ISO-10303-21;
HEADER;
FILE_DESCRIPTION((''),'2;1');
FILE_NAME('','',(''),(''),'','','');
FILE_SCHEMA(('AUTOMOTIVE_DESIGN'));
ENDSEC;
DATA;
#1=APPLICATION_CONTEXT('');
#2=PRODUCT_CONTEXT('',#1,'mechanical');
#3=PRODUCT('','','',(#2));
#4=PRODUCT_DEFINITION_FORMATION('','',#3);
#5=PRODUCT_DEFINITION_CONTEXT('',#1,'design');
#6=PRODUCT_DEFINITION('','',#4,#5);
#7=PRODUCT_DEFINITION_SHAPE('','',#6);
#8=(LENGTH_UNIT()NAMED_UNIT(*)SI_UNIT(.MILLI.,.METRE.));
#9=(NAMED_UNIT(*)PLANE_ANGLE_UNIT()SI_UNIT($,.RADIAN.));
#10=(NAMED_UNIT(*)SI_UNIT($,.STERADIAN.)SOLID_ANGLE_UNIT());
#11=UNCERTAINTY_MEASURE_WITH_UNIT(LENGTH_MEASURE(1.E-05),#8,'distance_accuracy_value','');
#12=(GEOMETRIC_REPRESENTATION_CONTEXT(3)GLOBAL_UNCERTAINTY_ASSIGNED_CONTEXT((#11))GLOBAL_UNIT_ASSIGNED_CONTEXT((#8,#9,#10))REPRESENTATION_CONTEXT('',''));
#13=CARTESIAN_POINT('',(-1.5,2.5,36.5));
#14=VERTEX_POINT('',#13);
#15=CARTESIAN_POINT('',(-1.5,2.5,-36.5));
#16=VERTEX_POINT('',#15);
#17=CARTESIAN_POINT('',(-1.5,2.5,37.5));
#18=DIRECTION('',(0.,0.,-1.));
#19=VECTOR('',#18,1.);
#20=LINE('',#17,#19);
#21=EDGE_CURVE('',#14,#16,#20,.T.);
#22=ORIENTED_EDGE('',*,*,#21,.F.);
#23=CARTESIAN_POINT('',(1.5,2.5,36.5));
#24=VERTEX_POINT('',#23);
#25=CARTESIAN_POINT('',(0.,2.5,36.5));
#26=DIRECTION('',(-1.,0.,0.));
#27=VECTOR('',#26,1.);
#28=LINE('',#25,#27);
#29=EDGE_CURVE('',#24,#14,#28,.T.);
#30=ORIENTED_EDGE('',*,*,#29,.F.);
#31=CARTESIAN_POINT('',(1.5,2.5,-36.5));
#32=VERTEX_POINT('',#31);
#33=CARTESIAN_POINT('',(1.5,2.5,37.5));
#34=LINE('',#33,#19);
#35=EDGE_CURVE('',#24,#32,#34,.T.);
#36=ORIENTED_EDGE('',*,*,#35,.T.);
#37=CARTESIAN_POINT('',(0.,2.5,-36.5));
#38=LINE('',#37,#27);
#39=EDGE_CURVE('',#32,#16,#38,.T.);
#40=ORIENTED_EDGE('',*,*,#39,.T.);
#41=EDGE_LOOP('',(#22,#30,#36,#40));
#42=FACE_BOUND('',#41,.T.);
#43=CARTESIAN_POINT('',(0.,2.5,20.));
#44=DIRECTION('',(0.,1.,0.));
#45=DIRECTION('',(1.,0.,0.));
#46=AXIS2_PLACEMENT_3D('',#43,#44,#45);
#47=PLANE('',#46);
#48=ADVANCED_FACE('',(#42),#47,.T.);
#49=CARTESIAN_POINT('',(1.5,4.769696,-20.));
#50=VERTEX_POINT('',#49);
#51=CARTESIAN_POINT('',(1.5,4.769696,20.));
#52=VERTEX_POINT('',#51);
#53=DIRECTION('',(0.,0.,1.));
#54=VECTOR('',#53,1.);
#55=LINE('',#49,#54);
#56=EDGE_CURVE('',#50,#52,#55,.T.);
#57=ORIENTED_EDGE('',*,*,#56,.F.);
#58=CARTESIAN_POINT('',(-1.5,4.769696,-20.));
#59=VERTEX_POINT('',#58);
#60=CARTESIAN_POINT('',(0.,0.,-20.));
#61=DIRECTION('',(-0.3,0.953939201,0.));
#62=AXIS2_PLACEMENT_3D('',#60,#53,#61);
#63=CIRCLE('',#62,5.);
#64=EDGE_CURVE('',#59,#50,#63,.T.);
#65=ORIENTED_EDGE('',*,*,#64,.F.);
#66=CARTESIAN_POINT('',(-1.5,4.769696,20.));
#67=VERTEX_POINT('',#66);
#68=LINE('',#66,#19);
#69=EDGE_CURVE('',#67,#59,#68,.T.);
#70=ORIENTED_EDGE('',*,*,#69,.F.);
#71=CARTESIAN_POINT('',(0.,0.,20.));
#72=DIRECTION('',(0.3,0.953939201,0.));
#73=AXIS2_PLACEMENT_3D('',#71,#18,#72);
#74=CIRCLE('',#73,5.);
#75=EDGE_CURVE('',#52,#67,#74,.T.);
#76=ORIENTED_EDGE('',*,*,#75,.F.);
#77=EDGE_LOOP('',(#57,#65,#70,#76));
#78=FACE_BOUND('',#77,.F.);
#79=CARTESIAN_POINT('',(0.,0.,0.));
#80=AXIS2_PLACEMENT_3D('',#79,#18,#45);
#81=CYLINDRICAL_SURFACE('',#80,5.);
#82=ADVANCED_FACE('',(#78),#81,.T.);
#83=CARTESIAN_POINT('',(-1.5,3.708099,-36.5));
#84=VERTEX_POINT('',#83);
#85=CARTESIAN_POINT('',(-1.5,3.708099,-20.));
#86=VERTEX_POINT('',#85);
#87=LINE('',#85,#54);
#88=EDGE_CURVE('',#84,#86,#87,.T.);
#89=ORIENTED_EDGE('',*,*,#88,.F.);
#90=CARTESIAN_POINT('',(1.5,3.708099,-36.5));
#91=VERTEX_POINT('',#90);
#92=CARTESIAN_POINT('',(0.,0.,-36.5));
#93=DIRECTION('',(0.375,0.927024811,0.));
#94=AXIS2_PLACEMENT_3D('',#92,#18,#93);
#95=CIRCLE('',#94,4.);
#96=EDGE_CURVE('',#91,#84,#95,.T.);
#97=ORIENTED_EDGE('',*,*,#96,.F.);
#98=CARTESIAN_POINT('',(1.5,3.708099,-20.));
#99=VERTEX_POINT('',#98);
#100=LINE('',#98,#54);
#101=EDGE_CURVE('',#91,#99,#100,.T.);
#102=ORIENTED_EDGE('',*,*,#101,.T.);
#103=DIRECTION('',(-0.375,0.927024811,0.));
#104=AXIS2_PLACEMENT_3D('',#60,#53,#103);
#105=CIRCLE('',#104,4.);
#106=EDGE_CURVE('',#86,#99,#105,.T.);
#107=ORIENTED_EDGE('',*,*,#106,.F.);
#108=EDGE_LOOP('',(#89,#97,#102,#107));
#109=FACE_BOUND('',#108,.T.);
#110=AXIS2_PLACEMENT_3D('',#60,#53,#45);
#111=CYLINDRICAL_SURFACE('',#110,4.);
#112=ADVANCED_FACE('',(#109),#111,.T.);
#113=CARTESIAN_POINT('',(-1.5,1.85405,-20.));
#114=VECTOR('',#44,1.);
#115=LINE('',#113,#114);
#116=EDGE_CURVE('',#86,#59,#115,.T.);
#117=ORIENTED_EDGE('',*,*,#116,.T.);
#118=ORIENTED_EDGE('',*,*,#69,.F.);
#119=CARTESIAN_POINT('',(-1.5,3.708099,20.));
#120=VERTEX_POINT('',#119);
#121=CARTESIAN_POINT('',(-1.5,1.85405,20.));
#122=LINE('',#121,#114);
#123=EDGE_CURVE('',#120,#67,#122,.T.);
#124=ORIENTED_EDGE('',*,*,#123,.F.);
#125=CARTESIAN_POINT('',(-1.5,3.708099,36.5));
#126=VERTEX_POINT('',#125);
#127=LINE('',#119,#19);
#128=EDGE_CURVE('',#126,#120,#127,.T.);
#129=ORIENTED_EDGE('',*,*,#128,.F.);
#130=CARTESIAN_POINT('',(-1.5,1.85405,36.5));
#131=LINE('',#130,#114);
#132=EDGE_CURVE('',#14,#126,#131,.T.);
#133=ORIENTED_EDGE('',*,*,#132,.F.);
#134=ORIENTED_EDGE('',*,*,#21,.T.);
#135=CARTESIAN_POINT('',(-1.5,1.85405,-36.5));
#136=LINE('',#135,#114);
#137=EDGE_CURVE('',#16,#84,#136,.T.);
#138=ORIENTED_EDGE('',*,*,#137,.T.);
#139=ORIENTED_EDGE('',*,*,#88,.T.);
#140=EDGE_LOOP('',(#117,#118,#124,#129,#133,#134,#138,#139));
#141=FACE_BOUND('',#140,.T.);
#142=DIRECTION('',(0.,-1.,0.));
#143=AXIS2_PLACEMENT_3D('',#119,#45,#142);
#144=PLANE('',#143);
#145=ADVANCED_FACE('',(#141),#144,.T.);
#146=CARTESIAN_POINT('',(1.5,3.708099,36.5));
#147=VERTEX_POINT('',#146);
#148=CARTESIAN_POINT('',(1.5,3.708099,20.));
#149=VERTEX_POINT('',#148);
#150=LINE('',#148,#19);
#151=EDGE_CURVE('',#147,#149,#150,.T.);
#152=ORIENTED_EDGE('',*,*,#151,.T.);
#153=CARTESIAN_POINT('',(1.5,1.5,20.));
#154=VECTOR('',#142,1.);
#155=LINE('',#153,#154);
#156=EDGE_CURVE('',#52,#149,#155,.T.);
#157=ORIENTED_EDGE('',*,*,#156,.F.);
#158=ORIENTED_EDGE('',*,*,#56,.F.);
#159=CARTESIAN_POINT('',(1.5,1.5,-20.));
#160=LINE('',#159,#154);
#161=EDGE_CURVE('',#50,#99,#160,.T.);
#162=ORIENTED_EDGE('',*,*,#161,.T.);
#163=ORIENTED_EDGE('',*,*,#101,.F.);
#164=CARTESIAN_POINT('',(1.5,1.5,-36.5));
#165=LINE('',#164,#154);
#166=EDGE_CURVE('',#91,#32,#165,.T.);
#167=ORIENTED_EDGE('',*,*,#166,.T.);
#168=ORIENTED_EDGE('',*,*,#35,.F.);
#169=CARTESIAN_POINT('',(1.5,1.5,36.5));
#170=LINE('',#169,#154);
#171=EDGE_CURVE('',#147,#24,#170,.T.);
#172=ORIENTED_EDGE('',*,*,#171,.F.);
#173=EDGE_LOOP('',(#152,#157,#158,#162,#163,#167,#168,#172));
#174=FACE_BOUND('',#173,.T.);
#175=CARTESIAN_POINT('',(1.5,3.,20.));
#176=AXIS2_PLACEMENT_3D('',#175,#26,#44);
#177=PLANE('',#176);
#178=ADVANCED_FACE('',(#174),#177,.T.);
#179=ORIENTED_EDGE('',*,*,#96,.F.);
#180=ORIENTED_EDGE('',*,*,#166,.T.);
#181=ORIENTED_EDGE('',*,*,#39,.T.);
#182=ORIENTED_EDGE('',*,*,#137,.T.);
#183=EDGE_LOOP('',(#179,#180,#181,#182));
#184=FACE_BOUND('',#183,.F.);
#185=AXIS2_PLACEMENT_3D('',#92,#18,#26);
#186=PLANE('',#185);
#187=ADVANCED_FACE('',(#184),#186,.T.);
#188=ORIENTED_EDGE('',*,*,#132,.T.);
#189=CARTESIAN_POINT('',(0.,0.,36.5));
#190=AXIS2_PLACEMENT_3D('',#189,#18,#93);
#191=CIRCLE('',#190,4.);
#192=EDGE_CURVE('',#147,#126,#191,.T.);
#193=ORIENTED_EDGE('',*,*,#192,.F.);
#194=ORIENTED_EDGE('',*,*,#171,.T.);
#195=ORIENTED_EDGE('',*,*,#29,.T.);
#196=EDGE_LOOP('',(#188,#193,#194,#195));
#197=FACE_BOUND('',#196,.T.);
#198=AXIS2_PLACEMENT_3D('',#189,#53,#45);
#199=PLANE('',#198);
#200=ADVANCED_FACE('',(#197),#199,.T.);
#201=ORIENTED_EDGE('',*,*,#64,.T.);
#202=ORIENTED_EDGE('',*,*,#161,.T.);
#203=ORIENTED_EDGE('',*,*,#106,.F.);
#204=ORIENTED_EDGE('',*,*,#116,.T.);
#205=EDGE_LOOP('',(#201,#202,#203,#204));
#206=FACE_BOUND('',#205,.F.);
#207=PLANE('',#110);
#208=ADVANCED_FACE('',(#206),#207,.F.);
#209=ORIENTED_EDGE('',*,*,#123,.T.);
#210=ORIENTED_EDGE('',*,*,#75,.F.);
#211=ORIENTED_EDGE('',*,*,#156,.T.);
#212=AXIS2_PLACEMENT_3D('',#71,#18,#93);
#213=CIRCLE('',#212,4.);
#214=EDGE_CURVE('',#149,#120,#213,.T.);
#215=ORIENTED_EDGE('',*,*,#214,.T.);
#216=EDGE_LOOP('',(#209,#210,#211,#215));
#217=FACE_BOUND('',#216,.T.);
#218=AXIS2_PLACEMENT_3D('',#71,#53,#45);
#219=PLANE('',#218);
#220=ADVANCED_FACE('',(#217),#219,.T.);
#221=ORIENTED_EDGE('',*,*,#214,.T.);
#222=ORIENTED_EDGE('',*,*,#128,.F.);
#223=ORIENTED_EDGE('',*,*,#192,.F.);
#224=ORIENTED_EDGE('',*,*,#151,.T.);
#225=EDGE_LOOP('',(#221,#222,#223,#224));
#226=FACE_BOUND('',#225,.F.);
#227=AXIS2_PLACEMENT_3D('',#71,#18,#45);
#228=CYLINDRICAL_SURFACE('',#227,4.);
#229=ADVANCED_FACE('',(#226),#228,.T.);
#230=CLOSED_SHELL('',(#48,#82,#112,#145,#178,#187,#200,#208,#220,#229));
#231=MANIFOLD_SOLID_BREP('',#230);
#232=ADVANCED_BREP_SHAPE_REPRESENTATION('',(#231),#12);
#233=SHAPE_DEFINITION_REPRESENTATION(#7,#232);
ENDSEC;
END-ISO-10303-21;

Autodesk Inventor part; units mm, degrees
ref_plane "YZ Plane" through (0, 0, 0) normal (1, 0, 0) x (0, 1, 0)
ref_plane "XZ Plane" through (0, 0, 0) normal (0, 1, 0) x (-1, 0, 0)
ref_plane "XY Plane" through (0, 0, 0) normal (0, 0, 1) x (1, 0, 0)
sketch "Sketch1" plane through (0, 0, 0) normal (0, 0, 1) x (1, 0, 0)
  circle A0 centre (0, 0) radius 5
  dimension "d0" = 10
extrude "Extrusion1" add sketch "Sketch1" along normal mid plane 40
sketch "Sketch2" plane through (0, 0, 20) normal (0, 0, 1) x (1, 0, 0)
  circle A0 centre (0, 0) radius 4
  line L0 (-2.6458, 3) -> (2.6458, 3)
  line L1 (1.5, 2.5) -> (1.5, 5.5)
  line L2 (1.5, 5.5) -> (-1.5, 5.5)
  line L3 (-1.5, 5.5) -> (-1.5, 2.5)
  line L4 (-1.5, 2.5) -> (1.5, 2.5)
  line L5 (1.5, 2.5) -> (-1.5, 5.5) construction
  line L6 (1.5, 5.5) -> (-1.5, 2.5) construction
  line L7 (0, -7.1) -> (0, 7.6) projected
  point P0 (0, 4)
  point P1 (0, 4)
  point P2 (-1.5, 3.7081)
  point P3 (1.5, 3.7081)
  dimension "d3" = 8
  dimension "d4" = 3
  dimension "d11" = 3
  dimension "d12" = 3
extrude "Extrusion2" add sketch "Sketch2" along normal blind 16.5 contours A0 L7 L4 L1 L0 | L0 L1 A0 | A0 L0 L3 L4 L7 | L1 L0 L7 A0 | L1 L4 L7 L0 | A0 L3 L0 | L4 L3 L0 L7 | L7 L0 L3 A0
thread "Thread1" size "M8x1.25" class "6g" standard "ANSI Metric M Profile" length 12.5 offset 4
mirror "Mirror2" about plane through (0, 0, 0) normal (0, 0, 1) of "Extrusion2"
thread "Thread2" size "M8x1.25" class "6g" standard "ANSI Metric M Profile" length 12.5 offset 4
extrude "Extrusion3" cut sketch "Sketch2" along normal through all both and the other way through all contours L1 L0 L7 A0 | A0 L7 L2 L1 | L1 L4 L7 L0 | L4 L3 L0 L7 | L7 L0 L3 A0 | A0 L3 L2 L7
properties part number "HornGearShaft" material "Stainless Steel"
